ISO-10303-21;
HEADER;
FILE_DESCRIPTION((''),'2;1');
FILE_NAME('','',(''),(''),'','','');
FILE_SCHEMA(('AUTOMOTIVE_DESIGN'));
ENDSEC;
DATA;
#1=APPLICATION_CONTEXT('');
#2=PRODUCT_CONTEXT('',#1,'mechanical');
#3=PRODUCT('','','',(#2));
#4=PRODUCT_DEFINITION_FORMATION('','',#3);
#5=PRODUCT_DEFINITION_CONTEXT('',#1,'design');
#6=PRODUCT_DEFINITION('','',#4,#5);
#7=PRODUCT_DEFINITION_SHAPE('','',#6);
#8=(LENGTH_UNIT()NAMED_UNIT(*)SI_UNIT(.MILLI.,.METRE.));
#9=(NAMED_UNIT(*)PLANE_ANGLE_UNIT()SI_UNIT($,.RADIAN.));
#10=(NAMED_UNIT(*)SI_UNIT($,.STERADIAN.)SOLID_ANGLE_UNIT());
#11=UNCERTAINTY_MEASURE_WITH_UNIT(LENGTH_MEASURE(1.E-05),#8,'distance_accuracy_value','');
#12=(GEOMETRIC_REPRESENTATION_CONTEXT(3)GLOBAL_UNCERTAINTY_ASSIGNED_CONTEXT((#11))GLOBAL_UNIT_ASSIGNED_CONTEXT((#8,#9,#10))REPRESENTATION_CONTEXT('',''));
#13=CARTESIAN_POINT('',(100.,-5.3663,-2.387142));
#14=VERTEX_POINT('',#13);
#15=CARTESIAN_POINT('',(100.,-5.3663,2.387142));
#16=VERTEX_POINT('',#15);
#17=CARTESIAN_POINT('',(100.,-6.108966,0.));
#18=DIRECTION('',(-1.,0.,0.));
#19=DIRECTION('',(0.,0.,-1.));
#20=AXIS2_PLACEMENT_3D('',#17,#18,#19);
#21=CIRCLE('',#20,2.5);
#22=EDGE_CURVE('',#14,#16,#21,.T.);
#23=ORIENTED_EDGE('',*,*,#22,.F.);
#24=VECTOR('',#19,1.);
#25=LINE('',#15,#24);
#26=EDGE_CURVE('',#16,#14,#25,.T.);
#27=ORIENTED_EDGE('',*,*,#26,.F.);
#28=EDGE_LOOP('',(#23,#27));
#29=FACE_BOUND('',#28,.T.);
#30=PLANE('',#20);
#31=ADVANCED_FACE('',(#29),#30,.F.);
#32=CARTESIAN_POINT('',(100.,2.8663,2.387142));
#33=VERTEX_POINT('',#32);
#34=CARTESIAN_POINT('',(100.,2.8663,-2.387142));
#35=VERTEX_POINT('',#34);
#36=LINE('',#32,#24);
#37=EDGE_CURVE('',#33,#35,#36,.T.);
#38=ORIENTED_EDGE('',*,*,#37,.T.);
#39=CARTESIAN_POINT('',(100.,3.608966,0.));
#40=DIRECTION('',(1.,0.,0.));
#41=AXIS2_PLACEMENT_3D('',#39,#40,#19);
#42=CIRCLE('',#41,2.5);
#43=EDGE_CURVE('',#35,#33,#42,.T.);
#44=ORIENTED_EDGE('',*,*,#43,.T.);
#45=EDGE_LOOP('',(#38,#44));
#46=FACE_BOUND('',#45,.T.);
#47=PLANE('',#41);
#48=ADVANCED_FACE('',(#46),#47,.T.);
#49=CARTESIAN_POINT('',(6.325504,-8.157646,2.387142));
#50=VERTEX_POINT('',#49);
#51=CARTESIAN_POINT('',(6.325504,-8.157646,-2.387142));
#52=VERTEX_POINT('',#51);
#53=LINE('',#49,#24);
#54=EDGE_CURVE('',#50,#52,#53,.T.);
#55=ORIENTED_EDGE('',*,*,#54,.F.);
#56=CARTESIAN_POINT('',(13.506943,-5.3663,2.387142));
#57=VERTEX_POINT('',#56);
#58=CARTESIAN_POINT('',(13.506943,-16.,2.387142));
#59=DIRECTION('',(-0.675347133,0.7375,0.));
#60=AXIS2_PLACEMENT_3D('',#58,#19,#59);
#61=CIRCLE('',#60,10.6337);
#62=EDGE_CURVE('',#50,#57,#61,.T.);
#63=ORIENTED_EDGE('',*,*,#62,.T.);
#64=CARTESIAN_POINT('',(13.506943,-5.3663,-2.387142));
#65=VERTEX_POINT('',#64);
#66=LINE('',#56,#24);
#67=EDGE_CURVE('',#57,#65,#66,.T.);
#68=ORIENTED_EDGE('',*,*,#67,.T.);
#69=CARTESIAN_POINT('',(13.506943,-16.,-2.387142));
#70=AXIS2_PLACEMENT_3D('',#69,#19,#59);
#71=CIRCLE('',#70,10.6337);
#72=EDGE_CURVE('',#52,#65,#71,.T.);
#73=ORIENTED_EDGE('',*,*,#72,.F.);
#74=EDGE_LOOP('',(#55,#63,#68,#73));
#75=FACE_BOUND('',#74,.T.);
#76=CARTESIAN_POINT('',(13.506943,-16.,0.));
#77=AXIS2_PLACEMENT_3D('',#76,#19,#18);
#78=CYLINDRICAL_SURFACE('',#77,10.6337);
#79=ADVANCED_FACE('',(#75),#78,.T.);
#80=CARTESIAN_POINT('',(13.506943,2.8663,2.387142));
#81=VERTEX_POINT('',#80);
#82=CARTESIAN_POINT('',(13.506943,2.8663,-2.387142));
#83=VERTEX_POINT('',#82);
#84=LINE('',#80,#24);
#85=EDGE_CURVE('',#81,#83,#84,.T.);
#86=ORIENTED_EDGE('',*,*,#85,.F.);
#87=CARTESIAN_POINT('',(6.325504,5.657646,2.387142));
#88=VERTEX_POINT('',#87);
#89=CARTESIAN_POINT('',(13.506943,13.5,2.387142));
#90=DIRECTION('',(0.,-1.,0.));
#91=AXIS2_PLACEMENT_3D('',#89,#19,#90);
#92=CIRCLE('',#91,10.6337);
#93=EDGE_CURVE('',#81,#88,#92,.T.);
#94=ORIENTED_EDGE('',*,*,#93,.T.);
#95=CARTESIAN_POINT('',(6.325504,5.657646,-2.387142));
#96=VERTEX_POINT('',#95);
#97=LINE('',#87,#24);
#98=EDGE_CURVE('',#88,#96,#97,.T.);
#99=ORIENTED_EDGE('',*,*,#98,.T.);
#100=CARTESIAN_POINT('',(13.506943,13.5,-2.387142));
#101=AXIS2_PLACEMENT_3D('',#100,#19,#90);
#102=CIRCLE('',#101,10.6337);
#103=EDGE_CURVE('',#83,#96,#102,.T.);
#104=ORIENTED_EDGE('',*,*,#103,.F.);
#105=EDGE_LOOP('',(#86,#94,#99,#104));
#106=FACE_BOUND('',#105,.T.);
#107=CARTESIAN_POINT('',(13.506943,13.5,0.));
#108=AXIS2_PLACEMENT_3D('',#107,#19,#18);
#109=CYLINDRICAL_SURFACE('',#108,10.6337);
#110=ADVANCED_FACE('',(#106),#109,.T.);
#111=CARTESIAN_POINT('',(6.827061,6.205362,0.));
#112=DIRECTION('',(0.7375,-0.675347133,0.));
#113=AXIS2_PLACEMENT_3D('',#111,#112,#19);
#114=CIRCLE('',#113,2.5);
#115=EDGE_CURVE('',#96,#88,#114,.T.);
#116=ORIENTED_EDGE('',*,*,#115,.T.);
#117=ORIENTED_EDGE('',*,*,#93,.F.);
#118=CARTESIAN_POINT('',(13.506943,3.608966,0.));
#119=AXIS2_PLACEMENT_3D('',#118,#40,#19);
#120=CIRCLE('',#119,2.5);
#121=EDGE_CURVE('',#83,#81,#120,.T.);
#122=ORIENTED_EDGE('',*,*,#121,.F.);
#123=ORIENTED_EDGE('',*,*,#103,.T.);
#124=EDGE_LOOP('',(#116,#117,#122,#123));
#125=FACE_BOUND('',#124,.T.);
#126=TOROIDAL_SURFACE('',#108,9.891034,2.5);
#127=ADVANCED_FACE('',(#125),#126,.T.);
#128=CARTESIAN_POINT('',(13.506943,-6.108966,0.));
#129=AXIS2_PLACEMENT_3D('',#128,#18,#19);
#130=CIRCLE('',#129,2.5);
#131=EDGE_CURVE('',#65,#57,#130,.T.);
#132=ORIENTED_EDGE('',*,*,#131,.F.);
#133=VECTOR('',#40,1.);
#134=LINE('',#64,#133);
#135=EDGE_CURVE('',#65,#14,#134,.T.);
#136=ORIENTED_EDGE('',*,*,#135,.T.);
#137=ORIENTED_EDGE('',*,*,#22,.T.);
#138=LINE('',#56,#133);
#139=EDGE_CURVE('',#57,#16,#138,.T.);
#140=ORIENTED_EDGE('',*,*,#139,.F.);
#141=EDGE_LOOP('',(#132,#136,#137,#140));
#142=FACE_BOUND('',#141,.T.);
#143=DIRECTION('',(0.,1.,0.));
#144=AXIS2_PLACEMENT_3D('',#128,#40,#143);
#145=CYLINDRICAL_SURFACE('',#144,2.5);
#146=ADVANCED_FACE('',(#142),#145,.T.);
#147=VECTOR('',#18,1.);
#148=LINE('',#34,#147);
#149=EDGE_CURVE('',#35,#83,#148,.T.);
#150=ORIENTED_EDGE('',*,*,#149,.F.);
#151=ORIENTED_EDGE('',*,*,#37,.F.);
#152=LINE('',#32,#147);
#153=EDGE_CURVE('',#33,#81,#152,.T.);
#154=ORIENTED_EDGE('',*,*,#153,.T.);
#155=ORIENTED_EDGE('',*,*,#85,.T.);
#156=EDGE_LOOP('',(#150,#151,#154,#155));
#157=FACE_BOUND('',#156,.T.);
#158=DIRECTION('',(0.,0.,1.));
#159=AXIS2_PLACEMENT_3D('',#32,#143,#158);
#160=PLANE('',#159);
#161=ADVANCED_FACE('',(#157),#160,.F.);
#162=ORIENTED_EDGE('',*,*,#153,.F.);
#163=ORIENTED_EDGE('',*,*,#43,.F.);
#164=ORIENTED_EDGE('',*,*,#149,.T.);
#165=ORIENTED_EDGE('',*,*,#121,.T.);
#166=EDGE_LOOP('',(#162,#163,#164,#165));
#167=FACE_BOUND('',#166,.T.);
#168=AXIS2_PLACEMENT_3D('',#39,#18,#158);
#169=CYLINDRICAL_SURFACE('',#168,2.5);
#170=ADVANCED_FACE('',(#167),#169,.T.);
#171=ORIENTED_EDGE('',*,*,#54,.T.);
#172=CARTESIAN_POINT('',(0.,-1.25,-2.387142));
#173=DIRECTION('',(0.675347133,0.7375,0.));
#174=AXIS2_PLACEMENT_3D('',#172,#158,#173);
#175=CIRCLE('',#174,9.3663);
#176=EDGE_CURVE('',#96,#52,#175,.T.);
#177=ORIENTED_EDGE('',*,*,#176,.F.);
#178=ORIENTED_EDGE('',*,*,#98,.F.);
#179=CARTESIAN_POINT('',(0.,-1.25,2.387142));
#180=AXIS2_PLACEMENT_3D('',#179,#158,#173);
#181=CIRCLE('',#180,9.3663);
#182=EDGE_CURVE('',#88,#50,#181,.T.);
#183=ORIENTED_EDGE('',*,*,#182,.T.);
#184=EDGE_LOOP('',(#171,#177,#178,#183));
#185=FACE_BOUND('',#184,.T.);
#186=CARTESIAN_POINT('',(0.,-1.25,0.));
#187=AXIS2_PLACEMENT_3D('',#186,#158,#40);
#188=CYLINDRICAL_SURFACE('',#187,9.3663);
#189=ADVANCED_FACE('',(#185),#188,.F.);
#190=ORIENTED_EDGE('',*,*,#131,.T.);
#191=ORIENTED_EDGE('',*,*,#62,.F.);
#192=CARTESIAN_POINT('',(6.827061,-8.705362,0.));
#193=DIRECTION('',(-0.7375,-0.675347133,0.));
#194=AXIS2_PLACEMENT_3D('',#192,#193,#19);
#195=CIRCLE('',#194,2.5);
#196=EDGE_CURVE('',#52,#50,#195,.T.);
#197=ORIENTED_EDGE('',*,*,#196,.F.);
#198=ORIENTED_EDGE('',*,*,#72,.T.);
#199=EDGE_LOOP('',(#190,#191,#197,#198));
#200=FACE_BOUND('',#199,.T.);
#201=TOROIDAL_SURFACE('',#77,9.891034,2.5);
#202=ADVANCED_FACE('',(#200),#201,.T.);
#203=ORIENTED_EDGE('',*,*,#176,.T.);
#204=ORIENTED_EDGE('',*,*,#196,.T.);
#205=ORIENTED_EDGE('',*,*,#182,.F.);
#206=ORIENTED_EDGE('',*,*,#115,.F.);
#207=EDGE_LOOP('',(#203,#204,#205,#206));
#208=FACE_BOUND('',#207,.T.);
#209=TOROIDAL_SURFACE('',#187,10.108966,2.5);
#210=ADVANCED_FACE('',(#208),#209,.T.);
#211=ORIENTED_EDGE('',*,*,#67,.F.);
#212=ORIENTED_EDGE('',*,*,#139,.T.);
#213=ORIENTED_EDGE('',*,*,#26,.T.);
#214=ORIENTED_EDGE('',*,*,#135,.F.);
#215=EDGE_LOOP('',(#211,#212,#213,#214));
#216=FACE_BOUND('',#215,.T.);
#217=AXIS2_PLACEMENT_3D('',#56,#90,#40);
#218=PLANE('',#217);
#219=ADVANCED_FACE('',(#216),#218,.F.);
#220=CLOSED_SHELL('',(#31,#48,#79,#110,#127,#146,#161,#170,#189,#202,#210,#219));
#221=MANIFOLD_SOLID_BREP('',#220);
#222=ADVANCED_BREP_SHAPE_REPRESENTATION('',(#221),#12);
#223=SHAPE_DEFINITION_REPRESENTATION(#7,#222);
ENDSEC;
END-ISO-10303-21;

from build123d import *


with BuildPart() as part:
    # Sweep2: sweep along a path in Sketch1
    with BuildLine(Plane.XY) as sweep2_path:
        Line((100, 3.5), (13.506942659, 3.5))
        ThreePointArc((13.506942659, 3.5), (9.884098473, 4.179324059), (6.75347133, 6.125))
        ThreePointArc((6.75347133, 6.125), (-10, -1.25), (6.75347133, -8.625))
        ThreePointArc((6.75347133, -8.625), (9.884098473, -6.679324059), (13.506942659, -6))
        Line((13.506942659, -6), (100, -6))
    # Sketch3 → Sweep2 (sweep)
    with BuildSketch(Plane(origin=(100, 0, 0), x_dir=(0, 0, -1), z_dir=(1, 0, 0))):
        with BuildLine():
            Line((-2.387141941, 2.866299519), (2.387141941, 2.866299519))
            ThreePointArc((2.387141941, 2.866299519), (0, 6.108965901), (-2.387141941, 2.866299519))
        make_face()
    sweep(path=sweep2_path.line)


solid = part.part
